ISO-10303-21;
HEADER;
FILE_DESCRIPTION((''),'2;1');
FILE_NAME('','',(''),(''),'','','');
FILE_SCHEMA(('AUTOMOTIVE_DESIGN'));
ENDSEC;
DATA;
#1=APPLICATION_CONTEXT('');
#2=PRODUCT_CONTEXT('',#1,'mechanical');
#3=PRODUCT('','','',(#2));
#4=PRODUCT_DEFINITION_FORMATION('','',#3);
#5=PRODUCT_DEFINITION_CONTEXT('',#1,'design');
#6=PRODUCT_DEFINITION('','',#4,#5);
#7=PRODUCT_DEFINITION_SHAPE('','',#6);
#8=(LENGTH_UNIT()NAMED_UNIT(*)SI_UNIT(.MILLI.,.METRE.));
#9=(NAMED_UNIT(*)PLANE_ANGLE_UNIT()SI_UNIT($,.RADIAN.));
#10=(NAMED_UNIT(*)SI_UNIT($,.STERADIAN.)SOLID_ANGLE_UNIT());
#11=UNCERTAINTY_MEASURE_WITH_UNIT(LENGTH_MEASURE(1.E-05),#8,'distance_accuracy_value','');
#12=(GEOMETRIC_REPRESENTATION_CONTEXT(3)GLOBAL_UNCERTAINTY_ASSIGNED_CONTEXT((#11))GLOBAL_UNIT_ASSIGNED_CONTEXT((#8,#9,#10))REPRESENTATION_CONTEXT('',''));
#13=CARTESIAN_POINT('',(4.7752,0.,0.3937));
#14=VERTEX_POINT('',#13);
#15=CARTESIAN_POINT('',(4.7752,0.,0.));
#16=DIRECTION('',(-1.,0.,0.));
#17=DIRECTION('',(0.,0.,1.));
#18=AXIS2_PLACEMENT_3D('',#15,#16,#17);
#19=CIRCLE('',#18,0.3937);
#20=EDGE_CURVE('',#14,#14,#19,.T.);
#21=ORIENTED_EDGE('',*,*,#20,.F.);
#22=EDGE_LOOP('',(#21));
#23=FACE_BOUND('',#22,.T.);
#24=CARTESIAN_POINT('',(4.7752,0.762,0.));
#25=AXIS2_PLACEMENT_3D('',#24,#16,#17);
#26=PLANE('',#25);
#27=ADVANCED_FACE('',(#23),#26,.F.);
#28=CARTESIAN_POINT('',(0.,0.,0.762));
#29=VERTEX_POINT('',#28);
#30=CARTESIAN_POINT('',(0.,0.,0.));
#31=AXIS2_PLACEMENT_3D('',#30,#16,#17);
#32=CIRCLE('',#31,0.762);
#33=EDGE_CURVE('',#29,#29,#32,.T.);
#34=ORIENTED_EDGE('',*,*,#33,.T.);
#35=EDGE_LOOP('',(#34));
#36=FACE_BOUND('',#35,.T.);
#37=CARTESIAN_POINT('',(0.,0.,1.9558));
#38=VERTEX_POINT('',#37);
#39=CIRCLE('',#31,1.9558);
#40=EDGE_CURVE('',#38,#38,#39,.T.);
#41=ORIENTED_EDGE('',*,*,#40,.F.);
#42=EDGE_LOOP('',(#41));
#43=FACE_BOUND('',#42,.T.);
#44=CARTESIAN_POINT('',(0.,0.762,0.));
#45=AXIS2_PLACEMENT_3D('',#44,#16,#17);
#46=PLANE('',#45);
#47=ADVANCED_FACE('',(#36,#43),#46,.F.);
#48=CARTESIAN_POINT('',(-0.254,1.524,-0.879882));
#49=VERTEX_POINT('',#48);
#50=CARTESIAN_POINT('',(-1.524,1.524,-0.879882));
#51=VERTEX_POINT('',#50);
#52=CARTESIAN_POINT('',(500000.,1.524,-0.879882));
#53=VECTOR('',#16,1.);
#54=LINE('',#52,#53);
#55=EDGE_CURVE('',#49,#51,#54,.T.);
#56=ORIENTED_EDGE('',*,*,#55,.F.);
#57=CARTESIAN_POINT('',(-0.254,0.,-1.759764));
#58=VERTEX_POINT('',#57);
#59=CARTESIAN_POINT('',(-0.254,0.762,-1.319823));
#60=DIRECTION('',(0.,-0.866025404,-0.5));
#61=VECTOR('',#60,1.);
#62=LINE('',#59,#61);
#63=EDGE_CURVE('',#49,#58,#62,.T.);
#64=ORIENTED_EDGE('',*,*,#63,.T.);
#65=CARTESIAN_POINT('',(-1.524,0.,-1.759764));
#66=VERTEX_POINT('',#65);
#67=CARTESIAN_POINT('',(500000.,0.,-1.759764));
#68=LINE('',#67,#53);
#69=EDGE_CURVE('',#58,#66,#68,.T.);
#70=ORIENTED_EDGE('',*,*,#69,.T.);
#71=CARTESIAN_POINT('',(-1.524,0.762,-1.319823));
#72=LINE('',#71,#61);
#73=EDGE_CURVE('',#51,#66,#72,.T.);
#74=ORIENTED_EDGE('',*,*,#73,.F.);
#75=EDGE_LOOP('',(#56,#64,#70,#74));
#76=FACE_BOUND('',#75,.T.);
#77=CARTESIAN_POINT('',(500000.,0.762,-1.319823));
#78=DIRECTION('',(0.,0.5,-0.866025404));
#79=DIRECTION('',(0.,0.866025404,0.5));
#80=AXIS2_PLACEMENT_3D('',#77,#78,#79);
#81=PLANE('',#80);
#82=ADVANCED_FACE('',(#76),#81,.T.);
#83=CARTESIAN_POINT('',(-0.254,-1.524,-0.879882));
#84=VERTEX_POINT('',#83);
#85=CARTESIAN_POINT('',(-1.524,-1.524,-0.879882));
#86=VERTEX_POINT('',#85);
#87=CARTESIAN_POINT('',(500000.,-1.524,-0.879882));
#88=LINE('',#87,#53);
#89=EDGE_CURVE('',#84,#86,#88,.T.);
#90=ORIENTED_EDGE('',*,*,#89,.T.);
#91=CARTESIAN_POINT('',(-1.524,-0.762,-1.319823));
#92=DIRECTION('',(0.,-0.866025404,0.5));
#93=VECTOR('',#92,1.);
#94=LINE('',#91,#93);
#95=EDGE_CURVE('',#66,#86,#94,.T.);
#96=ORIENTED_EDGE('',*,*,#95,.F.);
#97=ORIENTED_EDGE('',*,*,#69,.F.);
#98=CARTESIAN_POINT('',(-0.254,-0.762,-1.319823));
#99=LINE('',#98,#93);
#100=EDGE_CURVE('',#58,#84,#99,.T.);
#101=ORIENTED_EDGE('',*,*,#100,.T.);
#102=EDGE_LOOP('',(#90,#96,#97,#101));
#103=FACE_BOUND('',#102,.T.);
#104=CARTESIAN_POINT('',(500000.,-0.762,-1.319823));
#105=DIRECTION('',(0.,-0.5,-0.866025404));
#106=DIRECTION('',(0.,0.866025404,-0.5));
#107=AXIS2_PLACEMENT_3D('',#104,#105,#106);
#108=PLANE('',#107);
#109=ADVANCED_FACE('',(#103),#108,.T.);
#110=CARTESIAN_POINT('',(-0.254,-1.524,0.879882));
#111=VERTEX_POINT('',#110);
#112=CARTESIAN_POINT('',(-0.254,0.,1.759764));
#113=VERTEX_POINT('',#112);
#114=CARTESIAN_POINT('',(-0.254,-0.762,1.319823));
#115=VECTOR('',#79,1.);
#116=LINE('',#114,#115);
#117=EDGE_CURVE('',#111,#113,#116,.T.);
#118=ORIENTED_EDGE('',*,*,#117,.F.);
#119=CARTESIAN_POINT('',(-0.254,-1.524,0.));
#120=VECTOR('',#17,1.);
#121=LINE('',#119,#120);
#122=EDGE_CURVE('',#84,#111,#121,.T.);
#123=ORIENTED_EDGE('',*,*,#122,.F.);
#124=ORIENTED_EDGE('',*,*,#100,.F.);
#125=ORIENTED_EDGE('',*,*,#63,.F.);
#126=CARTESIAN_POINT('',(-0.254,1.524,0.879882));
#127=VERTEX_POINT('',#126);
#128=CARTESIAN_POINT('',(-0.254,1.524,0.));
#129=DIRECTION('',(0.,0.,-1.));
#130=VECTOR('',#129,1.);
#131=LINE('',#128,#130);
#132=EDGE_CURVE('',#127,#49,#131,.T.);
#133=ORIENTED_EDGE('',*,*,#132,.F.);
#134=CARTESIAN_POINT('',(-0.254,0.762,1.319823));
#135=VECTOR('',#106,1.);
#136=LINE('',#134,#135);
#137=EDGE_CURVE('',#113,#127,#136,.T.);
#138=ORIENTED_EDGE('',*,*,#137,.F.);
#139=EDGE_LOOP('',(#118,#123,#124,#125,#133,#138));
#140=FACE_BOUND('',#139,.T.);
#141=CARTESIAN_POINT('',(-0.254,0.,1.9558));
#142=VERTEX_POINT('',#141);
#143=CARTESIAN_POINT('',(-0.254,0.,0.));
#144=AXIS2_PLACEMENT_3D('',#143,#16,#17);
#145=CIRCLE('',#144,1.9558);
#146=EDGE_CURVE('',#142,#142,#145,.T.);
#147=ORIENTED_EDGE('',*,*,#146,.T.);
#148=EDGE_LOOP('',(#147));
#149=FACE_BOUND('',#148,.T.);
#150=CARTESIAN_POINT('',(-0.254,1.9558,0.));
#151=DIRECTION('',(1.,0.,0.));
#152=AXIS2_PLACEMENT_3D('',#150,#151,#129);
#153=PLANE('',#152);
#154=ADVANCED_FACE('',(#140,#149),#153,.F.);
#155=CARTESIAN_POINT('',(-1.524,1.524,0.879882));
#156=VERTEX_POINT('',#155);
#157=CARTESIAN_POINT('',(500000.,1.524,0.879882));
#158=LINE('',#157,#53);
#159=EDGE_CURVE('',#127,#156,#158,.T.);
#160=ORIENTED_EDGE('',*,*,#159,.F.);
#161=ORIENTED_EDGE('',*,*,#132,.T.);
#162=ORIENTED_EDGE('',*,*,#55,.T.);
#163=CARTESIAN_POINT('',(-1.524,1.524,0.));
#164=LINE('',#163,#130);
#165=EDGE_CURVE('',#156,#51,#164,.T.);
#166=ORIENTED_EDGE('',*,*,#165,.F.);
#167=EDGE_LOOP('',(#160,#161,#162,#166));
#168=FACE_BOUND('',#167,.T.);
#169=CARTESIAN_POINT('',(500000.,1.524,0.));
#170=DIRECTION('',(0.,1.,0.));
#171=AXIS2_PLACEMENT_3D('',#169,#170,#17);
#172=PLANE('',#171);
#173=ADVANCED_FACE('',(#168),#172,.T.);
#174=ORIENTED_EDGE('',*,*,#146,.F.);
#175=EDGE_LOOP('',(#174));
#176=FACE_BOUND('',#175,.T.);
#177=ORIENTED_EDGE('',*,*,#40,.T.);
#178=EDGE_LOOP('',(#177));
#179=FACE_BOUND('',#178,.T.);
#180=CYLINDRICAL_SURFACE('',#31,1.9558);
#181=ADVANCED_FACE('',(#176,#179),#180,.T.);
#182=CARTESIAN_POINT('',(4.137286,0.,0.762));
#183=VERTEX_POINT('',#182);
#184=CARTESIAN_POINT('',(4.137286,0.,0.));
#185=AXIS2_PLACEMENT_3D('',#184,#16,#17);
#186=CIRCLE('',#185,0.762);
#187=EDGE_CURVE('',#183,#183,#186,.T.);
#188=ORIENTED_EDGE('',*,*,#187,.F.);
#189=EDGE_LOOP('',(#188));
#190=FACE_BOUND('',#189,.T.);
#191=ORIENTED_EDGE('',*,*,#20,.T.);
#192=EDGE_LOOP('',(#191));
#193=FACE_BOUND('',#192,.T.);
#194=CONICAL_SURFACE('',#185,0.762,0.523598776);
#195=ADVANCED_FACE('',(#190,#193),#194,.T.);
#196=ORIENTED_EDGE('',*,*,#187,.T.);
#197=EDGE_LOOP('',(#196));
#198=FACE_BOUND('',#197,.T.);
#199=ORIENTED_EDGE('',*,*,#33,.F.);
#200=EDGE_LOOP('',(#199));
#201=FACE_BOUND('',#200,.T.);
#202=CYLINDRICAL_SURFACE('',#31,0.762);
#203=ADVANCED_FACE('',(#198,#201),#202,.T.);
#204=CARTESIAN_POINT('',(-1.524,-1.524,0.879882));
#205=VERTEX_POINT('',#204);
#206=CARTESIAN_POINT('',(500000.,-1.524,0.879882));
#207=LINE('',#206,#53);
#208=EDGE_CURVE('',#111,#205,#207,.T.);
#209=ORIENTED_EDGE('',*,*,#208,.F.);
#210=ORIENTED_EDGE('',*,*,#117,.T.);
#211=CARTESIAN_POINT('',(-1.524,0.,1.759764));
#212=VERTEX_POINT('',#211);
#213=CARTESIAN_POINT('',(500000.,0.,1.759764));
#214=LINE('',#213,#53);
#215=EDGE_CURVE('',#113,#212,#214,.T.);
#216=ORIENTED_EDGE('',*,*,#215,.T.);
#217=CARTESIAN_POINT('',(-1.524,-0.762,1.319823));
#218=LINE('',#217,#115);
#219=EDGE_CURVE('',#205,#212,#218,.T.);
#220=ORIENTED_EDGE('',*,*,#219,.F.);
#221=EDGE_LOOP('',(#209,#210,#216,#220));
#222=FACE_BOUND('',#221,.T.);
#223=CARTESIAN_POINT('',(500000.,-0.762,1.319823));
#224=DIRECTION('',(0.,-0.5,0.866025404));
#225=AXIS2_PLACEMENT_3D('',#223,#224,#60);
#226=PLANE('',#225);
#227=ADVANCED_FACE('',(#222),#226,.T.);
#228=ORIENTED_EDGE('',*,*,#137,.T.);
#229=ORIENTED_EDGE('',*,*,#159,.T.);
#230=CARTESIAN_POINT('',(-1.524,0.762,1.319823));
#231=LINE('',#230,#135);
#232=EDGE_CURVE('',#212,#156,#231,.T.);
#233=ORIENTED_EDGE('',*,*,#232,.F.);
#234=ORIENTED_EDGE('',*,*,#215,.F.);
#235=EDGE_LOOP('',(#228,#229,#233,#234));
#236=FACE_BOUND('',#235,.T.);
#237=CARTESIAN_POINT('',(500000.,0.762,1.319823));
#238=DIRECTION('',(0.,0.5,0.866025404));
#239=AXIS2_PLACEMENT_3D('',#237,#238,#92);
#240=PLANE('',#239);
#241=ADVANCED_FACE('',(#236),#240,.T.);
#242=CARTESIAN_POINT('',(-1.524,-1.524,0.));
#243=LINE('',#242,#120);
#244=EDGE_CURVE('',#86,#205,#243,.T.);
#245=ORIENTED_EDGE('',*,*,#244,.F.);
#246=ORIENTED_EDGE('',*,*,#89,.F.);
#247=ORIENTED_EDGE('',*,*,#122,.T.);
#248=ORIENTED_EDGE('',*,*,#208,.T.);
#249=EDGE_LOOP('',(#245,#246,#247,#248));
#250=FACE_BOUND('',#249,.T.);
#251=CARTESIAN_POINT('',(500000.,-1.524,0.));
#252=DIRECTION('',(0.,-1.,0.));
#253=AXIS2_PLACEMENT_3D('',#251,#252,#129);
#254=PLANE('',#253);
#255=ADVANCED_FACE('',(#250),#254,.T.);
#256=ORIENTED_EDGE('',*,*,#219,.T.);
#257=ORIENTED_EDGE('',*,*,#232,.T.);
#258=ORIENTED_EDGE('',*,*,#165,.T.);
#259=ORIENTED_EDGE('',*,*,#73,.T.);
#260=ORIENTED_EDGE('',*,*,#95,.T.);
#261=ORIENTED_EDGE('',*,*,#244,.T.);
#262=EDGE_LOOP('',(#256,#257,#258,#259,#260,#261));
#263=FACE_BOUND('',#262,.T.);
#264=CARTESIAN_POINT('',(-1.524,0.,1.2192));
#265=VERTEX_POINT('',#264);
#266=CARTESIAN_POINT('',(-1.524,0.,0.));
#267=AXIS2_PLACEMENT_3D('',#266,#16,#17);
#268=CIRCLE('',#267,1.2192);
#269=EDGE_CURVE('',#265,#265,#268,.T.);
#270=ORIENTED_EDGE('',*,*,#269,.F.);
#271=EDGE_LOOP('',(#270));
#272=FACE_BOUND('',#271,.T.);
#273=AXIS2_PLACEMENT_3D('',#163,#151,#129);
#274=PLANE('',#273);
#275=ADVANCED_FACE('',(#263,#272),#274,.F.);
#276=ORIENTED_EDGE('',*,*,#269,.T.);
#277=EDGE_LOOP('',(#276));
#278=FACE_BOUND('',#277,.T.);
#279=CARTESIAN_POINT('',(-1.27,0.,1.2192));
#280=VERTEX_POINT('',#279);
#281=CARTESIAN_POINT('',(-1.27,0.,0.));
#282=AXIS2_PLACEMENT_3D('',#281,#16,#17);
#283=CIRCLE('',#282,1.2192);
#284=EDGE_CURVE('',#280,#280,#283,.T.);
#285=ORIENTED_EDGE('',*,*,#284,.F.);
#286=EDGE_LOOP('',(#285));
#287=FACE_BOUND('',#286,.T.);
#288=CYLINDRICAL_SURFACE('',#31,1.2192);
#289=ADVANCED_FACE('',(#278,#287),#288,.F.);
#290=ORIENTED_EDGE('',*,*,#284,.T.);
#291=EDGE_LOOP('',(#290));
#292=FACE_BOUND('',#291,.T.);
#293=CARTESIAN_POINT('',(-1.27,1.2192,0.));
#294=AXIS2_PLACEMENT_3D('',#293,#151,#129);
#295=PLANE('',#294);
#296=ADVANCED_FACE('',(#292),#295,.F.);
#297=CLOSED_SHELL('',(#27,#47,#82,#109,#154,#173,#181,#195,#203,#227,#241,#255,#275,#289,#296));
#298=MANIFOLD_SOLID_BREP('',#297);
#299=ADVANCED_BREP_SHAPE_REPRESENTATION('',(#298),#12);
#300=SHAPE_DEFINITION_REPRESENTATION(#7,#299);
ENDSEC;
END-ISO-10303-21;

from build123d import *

# Parameters (mm, degrees)
EXTRUDE1_REACH = 8.88


with BuildPart() as part:
    # Sketch1 → base-Revolve (revolve)
    with BuildSketch(Plane.XY, mode=Mode.PRIVATE) as base_revolve_sk:
        Polygon((0, 1.9558), (-0.254, 1.9558), (-0.254, 1.524), (-1.524, 1.524), (-1.524, 1.2192), (-1.27, 1.2192), (-1.27, 0), (0, 0), (4.7752, 0), (4.7752, 0.762), (0, 0.762), align=None)
    revolve(base_revolve_sk.sketch.rotate(Axis((0, 0, 0), (1, 0, 0)), 90), axis=Axis((0, 0, 0), (1, 0, 0)))

    # Sketch15 → Extrude1 (add, up to next)
    with BuildSketch(Plane.ZY.offset(1.524), mode=Mode.PRIVATE) as extrude1_sk1:
        with BuildLine():
            ThreePointArc((-1.319822717, -0.761999997), (-1.524, 6e-09), (-1.319822711, 0.762000008))
            Line((-1.319822711, 0.762000008), (-1.75976362, 0))
            Line((-1.75976362, 0), (-1.319822717, -0.761999997))
        make_face()
    extrude1_tool1 = extrude(extrude1_sk1.sketch, amount=-EXTRUDE1_REACH, mode=Mode.PRIVATE) - part.part
    # Sketch15 → Extrude1 (add, up to next)
    with BuildSketch(Plane.ZY.offset(1.524), mode=Mode.PRIVATE) as extrude1_sk2:
        with BuildLine():
            ThreePointArc((-1.319822711, 0.762000008), (-0.761999998, 1.319822717), (-5e-09, 1.524))
            Line((-5e-09, 1.524), (-0.87988181, 1.524))
            Line((-0.87988181, 1.524), (-1.319822711, 0.762000008))
        make_face()
    extrude1_tool2 = extrude(extrude1_sk2.sketch, amount=-EXTRUDE1_REACH, mode=Mode.PRIVATE) - part.part
    # Sketch15 → Extrude1 (add, up to next)
    with BuildSketch(Plane.ZY.offset(1.524), mode=Mode.PRIVATE) as extrude1_sk3:
        with BuildLine():
            ThreePointArc((-5e-09, 1.524), (0.761999979, 1.319822727), (1.319822694, 0.762000038))
            Line((1.319822694, 0.762000038), (0.87988181, 1.524))
            Line((0.87988181, 1.524), (-5e-09, 1.524))
        make_face()
    extrude1_tool3 = extrude(extrude1_sk3.sketch, amount=-EXTRUDE1_REACH, mode=Mode.PRIVATE) - part.part
    # Sketch15 → Extrude1 (add, up to next)
    with BuildSketch(Plane.ZY.offset(1.524), mode=Mode.PRIVATE) as extrude1_sk4:
        with BuildLine():
            Line((1.319822721, -0.76199999), (1.75976362, 0))
            Line((1.75976362, 0), (1.319822694, 0.762000038))
            ThreePointArc((1.319822694, 0.762000038), (1.472070954, 0.394440246), (1.524, 0))
            ThreePointArc((1.524, 0), (1.472070961, -0.394440219), (1.319822721, -0.76199999))
        make_face()
    extrude1_tool4 = extrude(extrude1_sk4.sketch, amount=-EXTRUDE1_REACH, mode=Mode.PRIVATE) - part.part
    # Sketch15 → Extrude1 (add, up to next)
    with BuildSketch(Plane.ZY.offset(1.524), mode=Mode.PRIVATE) as extrude1_sk5:
        with BuildLine():
            Line((0.87988181, -1.524), (1.319822721, -0.76199999))
            ThreePointArc((1.319822721, -0.76199999), (0.762000003, -1.319822714), (-5e-09, -1.524))
            Line((-5e-09, -1.524), (0.87988181, -1.524))
        make_face()
    extrude1_tool5 = extrude(extrude1_sk5.sketch, amount=-EXTRUDE1_REACH, mode=Mode.PRIVATE) - part.part
    # Sketch15 → Extrude1 (add, up to next)
    with BuildSketch(Plane.ZY.offset(1.524), mode=Mode.PRIVATE) as extrude1_sk6:
        with BuildLine():
            Line((-0.87988181, -1.524), (-5e-09, -1.524))
            ThreePointArc((-5e-09, -1.524), (-0.762000004, -1.319822713), (-1.319822717, -0.761999997))
            Line((-1.319822717, -0.761999997), (-0.87988181, -1.524))
        make_face()
    extrude1_tool6 = extrude(extrude1_sk6.sketch, amount=-EXTRUDE1_REACH, mode=Mode.PRIVATE) - part.part
    add(extrude1_tool1.solids().sort_by_distance((-1.524, 0, -1.57515))[0])
    add(extrude1_tool2.solids().sort_by_distance((-1.524, 1.36412, -0.787575))[0])
    add(extrude1_tool3.solids().sort_by_distance((-1.524, 1.36412, 0.787575))[0])
    add(extrude1_tool4.solids().sort_by_distance((-1.524, 0, 1.57515))[0])
    add(extrude1_tool5.solids().sort_by_distance((-1.524, -1.36412, 0.787575))[0])
    add(extrude1_tool6.solids().sort_by_distance((-1.524, -1.36412, -0.787575))[0])

    # Sketch8 → point_Cut-Revolve1 (revolve, cut)
    with BuildSketch(Plane.XY, mode=Mode.PRIVATE) as point_cut_revolve1_sk:
        Polygon((4.7752, 0), (5.2832, 0), (5.2832, 1.27), (4.137285688, 1.27), (4.137285688, 0.762), (4.7752, 0.3937), align=None)
    revolve(point_cut_revolve1_sk.sketch.rotate(Axis((0, 0, 0), (1, 0, 0)), 90), axis=Axis((0, 0, 0), (1, 0, 0)), mode=Mode.SUBTRACT)


solid = part.part
